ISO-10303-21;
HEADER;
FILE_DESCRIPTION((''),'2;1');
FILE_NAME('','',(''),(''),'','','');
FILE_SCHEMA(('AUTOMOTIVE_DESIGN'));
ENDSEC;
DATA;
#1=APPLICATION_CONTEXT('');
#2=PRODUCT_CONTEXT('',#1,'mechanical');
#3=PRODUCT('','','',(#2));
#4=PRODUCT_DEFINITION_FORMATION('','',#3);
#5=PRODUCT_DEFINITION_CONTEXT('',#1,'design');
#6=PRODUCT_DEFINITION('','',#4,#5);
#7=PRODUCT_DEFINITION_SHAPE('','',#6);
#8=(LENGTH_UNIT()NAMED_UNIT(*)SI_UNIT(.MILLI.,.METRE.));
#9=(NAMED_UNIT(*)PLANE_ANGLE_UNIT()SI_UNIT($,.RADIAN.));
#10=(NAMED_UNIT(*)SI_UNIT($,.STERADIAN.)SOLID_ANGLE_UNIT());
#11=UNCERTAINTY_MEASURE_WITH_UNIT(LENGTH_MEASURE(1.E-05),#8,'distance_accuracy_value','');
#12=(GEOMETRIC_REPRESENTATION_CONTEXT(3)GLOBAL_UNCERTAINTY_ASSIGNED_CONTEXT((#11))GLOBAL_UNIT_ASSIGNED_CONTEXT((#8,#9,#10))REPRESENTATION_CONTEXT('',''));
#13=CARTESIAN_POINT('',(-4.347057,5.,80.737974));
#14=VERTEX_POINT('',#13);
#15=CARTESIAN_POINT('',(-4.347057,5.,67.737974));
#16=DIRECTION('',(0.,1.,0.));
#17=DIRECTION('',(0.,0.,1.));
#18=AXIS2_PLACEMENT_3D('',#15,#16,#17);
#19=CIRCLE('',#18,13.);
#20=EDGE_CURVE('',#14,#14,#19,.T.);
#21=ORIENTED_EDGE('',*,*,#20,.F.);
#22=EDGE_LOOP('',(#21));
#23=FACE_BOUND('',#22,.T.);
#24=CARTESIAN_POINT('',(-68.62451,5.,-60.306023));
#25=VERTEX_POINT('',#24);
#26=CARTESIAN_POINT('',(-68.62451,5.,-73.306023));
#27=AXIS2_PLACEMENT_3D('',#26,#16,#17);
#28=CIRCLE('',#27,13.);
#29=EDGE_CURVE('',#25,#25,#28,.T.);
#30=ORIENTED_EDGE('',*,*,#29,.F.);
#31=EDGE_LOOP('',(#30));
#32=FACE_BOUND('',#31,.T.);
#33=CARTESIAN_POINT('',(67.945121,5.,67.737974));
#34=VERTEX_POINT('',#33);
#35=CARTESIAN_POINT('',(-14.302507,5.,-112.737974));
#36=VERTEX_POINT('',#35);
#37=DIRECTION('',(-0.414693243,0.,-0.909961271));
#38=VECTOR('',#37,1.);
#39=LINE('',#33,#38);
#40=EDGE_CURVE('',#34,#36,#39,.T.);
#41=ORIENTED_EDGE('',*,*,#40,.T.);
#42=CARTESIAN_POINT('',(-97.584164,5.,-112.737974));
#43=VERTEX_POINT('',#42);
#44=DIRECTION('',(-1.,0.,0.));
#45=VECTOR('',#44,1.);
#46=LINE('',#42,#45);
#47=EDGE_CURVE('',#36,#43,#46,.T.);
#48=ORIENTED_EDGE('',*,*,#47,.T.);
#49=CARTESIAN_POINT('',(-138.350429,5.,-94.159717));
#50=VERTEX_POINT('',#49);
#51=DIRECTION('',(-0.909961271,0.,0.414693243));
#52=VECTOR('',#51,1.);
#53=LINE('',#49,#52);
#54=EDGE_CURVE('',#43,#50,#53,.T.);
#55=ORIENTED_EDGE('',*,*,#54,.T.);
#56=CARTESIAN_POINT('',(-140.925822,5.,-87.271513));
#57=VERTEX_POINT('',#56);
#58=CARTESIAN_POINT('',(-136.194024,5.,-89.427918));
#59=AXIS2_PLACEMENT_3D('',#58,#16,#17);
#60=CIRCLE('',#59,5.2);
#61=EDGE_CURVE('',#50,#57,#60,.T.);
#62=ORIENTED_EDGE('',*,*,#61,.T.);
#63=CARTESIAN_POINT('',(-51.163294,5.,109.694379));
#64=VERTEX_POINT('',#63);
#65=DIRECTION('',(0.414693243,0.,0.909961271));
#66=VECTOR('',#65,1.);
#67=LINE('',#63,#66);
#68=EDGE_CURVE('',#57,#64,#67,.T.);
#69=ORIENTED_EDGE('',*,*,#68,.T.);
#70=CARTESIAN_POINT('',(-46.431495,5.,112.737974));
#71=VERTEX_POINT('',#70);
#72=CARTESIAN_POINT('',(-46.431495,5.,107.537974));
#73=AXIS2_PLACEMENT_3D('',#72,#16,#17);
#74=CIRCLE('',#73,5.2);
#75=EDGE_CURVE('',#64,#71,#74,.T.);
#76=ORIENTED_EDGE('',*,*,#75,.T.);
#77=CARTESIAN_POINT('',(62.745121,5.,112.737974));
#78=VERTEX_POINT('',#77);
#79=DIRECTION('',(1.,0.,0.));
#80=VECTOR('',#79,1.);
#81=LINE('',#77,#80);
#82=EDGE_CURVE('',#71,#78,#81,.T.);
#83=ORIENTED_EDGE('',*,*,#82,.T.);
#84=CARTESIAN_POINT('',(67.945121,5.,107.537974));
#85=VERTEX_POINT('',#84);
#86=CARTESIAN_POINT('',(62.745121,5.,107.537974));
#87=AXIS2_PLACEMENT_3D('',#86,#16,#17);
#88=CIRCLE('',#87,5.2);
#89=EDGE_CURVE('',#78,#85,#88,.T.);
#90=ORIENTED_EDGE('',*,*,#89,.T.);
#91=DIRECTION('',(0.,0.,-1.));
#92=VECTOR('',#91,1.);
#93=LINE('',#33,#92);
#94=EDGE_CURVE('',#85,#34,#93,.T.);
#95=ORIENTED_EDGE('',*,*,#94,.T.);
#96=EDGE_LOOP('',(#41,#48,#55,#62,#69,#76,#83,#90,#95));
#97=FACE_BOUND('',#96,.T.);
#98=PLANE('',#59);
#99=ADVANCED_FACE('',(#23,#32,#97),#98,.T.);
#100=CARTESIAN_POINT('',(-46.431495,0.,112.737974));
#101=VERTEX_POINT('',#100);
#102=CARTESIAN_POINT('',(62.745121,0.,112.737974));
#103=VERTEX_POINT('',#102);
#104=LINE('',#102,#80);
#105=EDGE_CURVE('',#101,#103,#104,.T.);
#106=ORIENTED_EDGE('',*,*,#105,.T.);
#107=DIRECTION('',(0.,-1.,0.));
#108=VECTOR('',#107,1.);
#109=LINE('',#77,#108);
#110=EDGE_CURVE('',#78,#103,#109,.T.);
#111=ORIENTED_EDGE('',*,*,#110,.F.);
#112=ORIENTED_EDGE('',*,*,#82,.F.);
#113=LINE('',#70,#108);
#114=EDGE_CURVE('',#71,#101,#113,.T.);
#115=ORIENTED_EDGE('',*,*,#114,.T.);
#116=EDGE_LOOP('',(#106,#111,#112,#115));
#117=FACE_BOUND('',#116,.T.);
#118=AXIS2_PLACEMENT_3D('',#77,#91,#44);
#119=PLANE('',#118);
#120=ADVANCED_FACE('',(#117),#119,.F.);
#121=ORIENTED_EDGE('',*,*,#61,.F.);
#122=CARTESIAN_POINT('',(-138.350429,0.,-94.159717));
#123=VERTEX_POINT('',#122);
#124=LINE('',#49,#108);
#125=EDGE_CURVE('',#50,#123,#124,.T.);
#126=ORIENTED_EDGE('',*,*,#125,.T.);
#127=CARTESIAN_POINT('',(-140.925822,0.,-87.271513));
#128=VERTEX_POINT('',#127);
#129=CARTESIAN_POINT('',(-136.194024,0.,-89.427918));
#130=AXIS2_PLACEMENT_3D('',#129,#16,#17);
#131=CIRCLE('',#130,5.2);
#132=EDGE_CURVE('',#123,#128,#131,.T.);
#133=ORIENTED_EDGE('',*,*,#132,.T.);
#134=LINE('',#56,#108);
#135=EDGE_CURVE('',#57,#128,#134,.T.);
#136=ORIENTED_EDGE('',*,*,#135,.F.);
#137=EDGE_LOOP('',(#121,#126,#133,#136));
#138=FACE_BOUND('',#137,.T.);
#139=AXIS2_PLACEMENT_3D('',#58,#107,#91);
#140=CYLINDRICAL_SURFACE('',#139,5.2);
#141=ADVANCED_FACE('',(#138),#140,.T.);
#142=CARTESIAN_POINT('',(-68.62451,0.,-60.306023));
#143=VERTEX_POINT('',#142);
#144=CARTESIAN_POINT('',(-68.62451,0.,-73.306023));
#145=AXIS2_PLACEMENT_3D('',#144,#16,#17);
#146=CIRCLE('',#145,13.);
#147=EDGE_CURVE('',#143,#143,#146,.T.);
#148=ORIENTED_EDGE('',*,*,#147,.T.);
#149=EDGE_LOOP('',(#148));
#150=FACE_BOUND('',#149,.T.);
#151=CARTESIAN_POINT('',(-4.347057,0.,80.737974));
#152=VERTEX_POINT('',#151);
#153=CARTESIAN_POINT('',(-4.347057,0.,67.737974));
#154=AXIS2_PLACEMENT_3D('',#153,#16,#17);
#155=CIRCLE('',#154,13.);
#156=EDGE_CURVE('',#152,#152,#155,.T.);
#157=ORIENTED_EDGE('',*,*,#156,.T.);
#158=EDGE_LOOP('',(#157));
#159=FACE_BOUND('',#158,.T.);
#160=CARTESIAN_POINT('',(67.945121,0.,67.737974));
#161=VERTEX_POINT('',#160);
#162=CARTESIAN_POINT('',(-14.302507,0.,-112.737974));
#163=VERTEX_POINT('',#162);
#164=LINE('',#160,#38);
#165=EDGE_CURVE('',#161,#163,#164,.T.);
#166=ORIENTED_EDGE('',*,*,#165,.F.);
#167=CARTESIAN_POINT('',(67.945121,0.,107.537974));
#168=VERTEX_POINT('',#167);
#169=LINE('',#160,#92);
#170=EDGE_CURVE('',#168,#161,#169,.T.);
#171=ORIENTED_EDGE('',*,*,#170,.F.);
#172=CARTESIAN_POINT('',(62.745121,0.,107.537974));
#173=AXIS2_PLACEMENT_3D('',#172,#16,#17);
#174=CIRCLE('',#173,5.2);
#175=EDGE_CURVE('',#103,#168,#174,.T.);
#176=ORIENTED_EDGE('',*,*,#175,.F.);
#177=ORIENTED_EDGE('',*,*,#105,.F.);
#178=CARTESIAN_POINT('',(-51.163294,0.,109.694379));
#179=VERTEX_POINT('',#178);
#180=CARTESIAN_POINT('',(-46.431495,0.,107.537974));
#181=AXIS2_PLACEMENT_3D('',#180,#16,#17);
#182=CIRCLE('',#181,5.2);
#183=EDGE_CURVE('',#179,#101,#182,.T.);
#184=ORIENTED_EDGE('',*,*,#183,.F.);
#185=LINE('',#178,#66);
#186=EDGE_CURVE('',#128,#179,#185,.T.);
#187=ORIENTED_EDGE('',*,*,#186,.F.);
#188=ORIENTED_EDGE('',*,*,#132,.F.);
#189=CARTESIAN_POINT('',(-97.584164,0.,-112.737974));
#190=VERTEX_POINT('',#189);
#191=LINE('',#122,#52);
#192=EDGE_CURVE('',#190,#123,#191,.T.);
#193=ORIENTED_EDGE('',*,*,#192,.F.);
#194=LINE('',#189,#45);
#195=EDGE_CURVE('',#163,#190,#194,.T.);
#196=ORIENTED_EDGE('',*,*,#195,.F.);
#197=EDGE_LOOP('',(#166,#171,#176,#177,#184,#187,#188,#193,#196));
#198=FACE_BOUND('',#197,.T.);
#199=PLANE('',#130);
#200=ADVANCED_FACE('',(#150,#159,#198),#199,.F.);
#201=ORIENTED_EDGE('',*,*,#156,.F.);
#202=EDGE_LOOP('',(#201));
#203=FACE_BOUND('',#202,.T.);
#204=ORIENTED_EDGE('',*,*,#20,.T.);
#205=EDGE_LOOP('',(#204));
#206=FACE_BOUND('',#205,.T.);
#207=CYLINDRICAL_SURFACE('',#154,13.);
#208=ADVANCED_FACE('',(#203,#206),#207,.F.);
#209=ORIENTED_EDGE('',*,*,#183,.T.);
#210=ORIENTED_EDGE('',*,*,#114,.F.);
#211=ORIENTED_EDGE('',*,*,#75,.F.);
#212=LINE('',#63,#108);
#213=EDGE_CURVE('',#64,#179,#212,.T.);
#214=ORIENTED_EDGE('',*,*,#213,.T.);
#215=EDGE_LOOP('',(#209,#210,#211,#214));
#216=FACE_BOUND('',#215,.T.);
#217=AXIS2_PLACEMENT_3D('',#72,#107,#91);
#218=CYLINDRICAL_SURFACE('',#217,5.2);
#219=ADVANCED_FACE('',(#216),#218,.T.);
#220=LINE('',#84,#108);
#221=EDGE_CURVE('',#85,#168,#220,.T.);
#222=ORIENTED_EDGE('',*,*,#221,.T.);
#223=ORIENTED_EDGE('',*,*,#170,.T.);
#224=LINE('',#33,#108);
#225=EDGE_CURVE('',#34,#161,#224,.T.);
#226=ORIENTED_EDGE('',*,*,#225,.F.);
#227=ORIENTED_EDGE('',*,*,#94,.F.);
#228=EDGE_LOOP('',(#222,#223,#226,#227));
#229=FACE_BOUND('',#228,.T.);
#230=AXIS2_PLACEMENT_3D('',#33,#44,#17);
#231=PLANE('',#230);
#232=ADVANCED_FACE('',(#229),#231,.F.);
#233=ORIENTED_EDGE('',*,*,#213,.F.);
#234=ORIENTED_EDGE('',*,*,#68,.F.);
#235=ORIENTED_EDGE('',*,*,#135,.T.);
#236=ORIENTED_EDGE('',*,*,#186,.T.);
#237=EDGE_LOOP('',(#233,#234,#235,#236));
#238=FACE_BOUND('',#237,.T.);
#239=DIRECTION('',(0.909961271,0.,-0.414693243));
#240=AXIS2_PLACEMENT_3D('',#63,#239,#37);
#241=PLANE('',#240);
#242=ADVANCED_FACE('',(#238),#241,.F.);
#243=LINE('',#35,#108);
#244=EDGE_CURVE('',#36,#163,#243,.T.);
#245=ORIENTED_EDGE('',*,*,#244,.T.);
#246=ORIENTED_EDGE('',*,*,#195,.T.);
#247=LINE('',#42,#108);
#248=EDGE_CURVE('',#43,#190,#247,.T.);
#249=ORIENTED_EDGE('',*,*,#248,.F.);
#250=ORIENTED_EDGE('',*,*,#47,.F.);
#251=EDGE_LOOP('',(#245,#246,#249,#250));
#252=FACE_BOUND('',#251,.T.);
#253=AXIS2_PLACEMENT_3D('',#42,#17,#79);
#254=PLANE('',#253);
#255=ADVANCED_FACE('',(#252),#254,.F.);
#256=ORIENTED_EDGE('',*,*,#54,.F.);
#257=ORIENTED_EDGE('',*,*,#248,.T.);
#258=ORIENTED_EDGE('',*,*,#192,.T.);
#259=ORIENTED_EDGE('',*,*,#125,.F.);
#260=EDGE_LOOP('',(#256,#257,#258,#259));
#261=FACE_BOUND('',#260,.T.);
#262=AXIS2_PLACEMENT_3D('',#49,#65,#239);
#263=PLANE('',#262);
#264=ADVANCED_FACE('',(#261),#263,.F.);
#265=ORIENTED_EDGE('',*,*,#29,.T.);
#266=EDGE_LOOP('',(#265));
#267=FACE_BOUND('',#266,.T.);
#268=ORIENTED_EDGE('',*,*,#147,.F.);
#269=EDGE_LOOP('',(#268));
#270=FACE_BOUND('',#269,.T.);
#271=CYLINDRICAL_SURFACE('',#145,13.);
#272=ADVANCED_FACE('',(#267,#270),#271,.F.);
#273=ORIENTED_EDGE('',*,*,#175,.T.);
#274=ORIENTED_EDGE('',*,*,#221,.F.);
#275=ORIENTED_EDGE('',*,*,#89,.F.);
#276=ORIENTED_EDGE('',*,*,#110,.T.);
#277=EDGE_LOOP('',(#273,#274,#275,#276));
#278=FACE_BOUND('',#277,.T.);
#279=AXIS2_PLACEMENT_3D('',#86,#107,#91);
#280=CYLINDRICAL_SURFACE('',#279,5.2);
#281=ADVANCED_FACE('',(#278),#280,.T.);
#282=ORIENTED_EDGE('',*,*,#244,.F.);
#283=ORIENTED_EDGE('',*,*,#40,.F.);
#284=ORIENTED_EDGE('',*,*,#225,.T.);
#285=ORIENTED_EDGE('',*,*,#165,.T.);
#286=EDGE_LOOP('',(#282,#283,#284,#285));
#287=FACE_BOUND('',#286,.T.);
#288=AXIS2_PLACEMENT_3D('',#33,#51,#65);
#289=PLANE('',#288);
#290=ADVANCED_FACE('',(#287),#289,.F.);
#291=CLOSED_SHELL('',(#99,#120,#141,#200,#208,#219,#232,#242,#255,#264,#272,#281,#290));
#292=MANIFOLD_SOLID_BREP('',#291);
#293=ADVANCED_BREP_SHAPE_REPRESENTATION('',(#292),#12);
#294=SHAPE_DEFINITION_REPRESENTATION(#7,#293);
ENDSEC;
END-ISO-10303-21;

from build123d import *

# Parameters (mm, degrees)
BOSS_EXTRUDE1_DEPTH = 5
SKETCH2_R           = 13
CUT_EXTRUDE1_DEPTH  = 5


with BuildPart() as part:
    # Sketch1 → Boss-Extrude1 (new body)
    with BuildSketch(Plane(origin=(0, 0, 0), x_dir=(1, 0, 0), z_dir=(0, 1, 0))):
        with BuildLine():
            Line((67.945120995, -67.73797404), (67.945120995, -107.53797404))
            ThreePointArc((67.945120995, -107.53797404), (66.422076258, -111.214929302), (62.745120995, -112.73797404))
            Line((62.745120995, -112.73797404), (-46.431495334, -112.73797404))
            ThreePointArc((-46.431495334, -112.73797404), (-49.244562585, -111.911376907), (-51.163293943, -109.694378902))
            Line((-51.163293943, -109.694378902), (-140.925822463, 87.271513299))
            ThreePointArc((-140.925822463, 87.271513299), (-141.064719238, 91.248996543), (-138.350428716, 94.159716769))
            Line((-138.350428716, 94.159716769), (-97.584163781, 112.73797404))
            Line((-97.584163781, 112.73797404), (-14.302507037, 112.73797404))
            Line((-14.302507037, 112.73797404), (67.945120995, -67.73797404))
        make_face()
    extrude(amount=BOSS_EXTRUDE1_DEPTH)

    # Sketch2 → Cut-Extrude1 (cut)
    with BuildSketch(Plane(origin=(0, 5, 0), x_dir=(1, 0, 0), z_dir=(0, 1, 0))):
        with Locations(Location((-4.347057053, -67.73797404, 0), (0, 0, 270))):
            Circle(SKETCH2_R)
        with Locations(Location((-68.624509665, 73.306022946, 0), (0, 0, 270))):
            Circle(SKETCH2_R)
    extrude(amount=-CUT_EXTRUDE1_DEPTH, mode=Mode.SUBTRACT)


solid = part.part
